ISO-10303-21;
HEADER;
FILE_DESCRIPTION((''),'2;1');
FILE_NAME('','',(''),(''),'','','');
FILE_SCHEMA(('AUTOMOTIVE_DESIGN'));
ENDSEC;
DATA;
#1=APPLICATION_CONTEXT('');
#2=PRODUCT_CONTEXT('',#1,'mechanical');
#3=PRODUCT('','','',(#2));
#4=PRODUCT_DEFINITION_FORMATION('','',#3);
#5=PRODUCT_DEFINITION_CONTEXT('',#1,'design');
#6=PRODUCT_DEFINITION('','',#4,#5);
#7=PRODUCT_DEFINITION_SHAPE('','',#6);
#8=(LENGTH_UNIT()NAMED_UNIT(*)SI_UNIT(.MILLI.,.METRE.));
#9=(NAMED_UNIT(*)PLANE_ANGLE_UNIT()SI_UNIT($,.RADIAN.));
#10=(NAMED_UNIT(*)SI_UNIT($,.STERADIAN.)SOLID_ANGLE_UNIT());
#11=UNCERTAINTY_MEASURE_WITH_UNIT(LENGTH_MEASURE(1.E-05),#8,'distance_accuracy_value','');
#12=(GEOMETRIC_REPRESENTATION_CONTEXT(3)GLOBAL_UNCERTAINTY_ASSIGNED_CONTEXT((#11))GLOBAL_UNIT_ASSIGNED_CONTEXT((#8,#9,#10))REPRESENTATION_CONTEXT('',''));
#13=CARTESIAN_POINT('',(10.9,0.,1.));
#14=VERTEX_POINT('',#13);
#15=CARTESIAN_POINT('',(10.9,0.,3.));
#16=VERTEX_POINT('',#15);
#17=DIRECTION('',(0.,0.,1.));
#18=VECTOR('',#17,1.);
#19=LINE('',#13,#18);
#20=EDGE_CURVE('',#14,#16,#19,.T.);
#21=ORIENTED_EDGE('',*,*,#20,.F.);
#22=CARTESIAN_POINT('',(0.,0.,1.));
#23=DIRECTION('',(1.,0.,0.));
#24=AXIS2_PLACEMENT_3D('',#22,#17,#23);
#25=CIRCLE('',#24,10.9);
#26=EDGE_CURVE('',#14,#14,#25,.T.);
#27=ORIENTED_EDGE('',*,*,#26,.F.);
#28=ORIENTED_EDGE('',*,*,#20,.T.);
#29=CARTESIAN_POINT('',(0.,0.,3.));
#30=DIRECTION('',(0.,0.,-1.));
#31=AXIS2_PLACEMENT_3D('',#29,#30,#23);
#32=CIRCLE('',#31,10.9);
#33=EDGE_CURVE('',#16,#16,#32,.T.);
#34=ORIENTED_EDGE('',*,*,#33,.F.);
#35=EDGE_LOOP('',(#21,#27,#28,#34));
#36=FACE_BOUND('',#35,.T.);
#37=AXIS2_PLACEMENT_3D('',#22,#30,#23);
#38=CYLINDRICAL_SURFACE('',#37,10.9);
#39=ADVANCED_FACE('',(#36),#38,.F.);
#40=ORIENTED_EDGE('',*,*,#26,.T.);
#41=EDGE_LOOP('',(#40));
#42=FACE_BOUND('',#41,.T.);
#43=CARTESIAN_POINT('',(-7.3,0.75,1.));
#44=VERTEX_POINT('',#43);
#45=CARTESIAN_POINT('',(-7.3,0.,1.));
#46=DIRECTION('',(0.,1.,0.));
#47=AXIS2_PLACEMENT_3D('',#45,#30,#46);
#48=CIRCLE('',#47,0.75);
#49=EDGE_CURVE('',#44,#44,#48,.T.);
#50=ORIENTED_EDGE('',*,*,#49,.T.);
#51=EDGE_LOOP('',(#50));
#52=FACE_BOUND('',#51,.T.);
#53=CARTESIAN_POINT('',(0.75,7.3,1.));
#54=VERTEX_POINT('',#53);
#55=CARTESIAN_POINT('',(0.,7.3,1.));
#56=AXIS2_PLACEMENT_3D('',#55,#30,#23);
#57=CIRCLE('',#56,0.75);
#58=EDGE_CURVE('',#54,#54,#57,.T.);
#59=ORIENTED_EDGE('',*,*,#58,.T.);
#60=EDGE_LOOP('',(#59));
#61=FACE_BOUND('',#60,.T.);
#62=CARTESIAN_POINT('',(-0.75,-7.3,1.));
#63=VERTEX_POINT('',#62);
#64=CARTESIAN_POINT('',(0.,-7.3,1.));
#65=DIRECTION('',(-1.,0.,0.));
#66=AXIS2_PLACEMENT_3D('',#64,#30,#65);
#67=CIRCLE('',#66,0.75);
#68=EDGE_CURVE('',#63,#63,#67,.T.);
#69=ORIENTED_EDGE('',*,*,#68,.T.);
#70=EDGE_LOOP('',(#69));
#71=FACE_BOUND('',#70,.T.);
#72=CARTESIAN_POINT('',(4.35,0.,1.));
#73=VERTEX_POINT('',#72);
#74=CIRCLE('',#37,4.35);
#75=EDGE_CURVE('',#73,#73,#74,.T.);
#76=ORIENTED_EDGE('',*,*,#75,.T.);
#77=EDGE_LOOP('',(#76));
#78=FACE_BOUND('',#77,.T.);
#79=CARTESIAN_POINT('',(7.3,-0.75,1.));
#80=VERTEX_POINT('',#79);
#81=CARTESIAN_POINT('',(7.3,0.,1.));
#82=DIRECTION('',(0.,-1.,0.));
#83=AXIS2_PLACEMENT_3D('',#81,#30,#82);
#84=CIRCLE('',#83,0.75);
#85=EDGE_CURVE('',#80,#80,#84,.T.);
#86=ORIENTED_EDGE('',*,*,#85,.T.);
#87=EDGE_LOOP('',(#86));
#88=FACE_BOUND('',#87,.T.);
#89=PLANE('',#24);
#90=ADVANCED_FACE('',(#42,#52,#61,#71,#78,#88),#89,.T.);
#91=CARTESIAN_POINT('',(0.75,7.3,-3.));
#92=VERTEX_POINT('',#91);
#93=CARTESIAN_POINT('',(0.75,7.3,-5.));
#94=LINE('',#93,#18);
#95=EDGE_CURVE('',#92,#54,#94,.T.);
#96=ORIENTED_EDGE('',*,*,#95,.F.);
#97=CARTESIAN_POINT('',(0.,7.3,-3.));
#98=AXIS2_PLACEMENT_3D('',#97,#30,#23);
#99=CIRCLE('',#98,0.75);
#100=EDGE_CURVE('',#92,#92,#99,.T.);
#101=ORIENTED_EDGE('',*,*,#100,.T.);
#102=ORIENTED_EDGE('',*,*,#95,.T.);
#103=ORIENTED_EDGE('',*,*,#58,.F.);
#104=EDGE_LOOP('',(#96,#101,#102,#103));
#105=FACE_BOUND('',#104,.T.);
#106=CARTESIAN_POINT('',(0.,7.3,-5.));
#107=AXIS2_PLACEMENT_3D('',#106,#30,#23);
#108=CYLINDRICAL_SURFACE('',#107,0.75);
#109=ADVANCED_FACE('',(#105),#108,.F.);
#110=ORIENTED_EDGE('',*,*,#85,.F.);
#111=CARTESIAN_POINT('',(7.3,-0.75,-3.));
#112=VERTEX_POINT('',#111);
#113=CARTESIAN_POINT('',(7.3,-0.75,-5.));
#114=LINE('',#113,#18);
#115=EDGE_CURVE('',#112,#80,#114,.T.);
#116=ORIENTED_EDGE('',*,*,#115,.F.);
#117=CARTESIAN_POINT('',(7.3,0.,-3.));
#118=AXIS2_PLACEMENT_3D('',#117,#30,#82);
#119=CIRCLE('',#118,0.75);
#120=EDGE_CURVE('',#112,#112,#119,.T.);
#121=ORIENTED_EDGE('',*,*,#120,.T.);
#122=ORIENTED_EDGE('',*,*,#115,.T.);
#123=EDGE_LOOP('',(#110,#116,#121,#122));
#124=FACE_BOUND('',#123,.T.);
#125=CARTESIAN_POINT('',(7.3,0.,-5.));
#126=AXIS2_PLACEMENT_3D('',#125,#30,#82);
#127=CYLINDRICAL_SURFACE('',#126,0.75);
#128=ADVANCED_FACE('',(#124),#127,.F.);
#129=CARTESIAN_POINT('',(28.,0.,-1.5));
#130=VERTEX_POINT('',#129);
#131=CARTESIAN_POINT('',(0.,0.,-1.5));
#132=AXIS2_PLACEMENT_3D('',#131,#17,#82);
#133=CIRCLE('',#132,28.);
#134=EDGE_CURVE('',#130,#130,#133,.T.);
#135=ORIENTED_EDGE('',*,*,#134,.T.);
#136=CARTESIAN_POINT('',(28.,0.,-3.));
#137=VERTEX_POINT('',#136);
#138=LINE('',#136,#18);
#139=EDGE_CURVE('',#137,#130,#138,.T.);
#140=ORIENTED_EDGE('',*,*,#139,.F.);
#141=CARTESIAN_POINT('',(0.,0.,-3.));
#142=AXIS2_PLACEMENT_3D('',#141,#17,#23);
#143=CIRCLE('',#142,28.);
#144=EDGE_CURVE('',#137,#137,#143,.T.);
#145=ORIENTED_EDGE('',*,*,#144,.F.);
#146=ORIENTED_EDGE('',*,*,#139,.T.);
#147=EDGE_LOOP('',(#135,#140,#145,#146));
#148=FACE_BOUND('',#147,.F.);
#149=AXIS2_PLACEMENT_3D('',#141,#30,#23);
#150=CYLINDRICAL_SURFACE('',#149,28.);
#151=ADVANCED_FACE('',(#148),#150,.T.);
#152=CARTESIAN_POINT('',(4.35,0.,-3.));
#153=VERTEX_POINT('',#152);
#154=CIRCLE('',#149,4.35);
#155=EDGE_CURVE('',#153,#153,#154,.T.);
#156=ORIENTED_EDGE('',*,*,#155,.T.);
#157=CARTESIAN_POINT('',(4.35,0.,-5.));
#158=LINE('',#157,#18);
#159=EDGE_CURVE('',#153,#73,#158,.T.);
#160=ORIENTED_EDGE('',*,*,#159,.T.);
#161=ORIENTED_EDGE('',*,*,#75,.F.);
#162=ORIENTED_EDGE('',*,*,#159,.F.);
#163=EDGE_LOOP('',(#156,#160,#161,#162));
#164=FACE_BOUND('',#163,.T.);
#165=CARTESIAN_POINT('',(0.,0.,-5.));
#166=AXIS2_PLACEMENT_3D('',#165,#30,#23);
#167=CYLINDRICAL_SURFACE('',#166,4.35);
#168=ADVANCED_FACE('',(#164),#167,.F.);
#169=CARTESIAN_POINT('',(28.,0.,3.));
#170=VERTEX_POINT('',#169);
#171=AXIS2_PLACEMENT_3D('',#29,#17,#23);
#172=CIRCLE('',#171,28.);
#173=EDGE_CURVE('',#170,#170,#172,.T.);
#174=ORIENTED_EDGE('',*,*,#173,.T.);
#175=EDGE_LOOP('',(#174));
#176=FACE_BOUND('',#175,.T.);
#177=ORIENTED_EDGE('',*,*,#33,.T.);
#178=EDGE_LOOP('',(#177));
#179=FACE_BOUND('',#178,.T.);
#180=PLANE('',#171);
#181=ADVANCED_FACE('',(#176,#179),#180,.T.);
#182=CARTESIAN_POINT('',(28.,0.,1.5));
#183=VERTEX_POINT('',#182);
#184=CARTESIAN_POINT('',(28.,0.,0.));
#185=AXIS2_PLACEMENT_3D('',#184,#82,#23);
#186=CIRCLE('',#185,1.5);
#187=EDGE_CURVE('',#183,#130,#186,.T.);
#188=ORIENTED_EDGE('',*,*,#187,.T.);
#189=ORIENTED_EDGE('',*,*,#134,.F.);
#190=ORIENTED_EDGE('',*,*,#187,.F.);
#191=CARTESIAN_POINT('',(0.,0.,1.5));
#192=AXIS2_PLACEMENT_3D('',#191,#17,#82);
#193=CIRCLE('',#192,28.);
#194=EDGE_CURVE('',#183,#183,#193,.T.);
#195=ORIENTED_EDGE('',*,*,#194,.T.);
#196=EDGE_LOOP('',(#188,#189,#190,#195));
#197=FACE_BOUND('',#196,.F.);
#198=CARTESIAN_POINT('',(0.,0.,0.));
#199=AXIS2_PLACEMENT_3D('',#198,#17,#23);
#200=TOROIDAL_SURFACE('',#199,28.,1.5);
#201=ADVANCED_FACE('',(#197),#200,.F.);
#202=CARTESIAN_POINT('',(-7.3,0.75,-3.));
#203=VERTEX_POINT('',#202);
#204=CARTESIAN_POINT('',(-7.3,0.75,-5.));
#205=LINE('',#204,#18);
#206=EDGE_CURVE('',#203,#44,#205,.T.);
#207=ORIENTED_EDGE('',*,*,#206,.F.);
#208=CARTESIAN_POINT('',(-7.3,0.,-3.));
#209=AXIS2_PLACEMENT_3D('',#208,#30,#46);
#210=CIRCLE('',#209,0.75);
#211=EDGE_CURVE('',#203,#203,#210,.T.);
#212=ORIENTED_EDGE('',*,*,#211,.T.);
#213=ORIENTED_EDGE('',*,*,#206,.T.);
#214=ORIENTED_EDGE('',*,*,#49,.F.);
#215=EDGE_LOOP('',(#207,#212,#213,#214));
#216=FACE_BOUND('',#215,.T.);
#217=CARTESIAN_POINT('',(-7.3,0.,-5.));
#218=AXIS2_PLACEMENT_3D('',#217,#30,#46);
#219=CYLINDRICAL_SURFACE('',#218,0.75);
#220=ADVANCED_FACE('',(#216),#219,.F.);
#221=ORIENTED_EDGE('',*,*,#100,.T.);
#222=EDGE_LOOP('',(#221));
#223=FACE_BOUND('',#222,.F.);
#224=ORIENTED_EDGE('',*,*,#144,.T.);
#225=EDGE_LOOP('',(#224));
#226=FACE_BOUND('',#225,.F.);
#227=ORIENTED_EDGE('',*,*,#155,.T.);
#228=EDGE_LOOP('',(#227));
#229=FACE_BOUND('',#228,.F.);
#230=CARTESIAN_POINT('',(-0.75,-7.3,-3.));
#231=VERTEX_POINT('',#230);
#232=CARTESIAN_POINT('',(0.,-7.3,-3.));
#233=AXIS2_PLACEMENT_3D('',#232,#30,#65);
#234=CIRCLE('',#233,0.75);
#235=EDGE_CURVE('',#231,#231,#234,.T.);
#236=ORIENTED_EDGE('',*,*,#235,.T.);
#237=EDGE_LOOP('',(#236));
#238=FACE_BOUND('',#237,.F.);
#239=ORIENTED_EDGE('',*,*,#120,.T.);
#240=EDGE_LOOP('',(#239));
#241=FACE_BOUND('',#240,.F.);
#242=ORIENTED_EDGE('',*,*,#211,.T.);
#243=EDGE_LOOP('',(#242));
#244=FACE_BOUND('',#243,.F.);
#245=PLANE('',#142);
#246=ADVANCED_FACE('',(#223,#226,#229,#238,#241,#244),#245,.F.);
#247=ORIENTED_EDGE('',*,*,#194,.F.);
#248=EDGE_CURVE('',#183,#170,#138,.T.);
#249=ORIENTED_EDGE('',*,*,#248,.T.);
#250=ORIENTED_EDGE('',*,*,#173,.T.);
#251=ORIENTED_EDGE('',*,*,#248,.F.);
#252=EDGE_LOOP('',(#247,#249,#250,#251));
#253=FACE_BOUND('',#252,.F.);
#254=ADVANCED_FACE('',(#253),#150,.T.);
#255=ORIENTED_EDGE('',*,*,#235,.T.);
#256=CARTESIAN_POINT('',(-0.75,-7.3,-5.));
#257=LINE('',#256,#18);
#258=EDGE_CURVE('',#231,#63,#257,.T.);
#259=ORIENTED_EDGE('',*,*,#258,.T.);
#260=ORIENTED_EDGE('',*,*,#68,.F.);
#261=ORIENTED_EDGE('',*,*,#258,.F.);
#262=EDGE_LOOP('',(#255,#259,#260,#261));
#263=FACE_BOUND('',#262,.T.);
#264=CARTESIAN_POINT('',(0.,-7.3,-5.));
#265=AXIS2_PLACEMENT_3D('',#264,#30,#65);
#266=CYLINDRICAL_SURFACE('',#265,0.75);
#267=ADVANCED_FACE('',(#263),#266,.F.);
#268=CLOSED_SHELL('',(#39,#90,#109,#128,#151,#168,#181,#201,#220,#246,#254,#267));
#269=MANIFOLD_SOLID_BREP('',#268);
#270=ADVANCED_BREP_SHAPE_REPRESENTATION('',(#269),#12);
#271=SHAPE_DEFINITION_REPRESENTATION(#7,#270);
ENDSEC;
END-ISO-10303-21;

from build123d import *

# Parameters (mm, degrees)
CYLINDER003_R     = 0.75
CYLINDER003_DEPTH = 10
ARRAY_COUNT       = 4
CYLINDER002_R     = 4.35
CYLINDER002_DEPTH = 10
CYLINDER001_R     = 10.9
CYLINDER001_DEPTH = 10
TORUS_R           = 1.5
CYLINDER_R        = 28
CYLINDER_DEPTH    = 6


with BuildPart() as array:
    # Cylinder003 → Cylinder003 (new body)
    with BuildSketch(Plane(origin=(0, 7.3, -5), x_dir=(1, 0, 0), z_dir=(0, 0, 1))):
        Circle(CYLINDER003_R)
    extrude(amount=CYLINDER003_DEPTH)

    # Array: Array ×4 about axis
    array_axis = Axis((0, 0, 0), (0, 0, 1))


with BuildPart() as array_1:
    add(array.part)
    for i in range(1, ARRAY_COUNT):
        add(array.part.rotate(array_axis, i * 360 / ARRAY_COUNT))


with BuildPart() as cilindre002:
    # Cylinder002 → Cylinder002 (new body)
    with BuildSketch(Plane.XY.offset(-5)):
        Circle(CYLINDER002_R)
    extrude(amount=CYLINDER002_DEPTH)


with BuildPart() as cilindre001:
    # Cylinder001 → Cylinder001 (new body)
    with BuildSketch(Plane.XY.offset(1)):
        Circle(CYLINDER001_R)
    extrude(amount=CYLINDER001_DEPTH)


with BuildPart() as torus:
    # Torus → Torus (revolve)
    with BuildSketch(Plane.XZ):
        with Locations((28, 0)):
            Circle(TORUS_R)
    revolve(axis=Axis((0, 0, 0), (0, 0, 1)))


with BuildPart() as roda_finaltizada:
    # Cylinder → Cylinder (new body)
    with BuildSketch(Plane.XY.offset(-3)):
        Circle(CYLINDER_R)
    extrude(amount=CYLINDER_DEPTH)

    # Cut: cut Torus
    add(torus.part, mode=Mode.SUBTRACT)

    # Cut001: cut Cilindre001
    add(cilindre001.part, mode=Mode.SUBTRACT)

    # Cut002: cut Cilindre002
    add(cilindre002.part, mode=Mode.SUBTRACT)

    # Cut003: cut Array
    add(array_1.part, mode=Mode.SUBTRACT)


solid = roda_finaltizada.part
